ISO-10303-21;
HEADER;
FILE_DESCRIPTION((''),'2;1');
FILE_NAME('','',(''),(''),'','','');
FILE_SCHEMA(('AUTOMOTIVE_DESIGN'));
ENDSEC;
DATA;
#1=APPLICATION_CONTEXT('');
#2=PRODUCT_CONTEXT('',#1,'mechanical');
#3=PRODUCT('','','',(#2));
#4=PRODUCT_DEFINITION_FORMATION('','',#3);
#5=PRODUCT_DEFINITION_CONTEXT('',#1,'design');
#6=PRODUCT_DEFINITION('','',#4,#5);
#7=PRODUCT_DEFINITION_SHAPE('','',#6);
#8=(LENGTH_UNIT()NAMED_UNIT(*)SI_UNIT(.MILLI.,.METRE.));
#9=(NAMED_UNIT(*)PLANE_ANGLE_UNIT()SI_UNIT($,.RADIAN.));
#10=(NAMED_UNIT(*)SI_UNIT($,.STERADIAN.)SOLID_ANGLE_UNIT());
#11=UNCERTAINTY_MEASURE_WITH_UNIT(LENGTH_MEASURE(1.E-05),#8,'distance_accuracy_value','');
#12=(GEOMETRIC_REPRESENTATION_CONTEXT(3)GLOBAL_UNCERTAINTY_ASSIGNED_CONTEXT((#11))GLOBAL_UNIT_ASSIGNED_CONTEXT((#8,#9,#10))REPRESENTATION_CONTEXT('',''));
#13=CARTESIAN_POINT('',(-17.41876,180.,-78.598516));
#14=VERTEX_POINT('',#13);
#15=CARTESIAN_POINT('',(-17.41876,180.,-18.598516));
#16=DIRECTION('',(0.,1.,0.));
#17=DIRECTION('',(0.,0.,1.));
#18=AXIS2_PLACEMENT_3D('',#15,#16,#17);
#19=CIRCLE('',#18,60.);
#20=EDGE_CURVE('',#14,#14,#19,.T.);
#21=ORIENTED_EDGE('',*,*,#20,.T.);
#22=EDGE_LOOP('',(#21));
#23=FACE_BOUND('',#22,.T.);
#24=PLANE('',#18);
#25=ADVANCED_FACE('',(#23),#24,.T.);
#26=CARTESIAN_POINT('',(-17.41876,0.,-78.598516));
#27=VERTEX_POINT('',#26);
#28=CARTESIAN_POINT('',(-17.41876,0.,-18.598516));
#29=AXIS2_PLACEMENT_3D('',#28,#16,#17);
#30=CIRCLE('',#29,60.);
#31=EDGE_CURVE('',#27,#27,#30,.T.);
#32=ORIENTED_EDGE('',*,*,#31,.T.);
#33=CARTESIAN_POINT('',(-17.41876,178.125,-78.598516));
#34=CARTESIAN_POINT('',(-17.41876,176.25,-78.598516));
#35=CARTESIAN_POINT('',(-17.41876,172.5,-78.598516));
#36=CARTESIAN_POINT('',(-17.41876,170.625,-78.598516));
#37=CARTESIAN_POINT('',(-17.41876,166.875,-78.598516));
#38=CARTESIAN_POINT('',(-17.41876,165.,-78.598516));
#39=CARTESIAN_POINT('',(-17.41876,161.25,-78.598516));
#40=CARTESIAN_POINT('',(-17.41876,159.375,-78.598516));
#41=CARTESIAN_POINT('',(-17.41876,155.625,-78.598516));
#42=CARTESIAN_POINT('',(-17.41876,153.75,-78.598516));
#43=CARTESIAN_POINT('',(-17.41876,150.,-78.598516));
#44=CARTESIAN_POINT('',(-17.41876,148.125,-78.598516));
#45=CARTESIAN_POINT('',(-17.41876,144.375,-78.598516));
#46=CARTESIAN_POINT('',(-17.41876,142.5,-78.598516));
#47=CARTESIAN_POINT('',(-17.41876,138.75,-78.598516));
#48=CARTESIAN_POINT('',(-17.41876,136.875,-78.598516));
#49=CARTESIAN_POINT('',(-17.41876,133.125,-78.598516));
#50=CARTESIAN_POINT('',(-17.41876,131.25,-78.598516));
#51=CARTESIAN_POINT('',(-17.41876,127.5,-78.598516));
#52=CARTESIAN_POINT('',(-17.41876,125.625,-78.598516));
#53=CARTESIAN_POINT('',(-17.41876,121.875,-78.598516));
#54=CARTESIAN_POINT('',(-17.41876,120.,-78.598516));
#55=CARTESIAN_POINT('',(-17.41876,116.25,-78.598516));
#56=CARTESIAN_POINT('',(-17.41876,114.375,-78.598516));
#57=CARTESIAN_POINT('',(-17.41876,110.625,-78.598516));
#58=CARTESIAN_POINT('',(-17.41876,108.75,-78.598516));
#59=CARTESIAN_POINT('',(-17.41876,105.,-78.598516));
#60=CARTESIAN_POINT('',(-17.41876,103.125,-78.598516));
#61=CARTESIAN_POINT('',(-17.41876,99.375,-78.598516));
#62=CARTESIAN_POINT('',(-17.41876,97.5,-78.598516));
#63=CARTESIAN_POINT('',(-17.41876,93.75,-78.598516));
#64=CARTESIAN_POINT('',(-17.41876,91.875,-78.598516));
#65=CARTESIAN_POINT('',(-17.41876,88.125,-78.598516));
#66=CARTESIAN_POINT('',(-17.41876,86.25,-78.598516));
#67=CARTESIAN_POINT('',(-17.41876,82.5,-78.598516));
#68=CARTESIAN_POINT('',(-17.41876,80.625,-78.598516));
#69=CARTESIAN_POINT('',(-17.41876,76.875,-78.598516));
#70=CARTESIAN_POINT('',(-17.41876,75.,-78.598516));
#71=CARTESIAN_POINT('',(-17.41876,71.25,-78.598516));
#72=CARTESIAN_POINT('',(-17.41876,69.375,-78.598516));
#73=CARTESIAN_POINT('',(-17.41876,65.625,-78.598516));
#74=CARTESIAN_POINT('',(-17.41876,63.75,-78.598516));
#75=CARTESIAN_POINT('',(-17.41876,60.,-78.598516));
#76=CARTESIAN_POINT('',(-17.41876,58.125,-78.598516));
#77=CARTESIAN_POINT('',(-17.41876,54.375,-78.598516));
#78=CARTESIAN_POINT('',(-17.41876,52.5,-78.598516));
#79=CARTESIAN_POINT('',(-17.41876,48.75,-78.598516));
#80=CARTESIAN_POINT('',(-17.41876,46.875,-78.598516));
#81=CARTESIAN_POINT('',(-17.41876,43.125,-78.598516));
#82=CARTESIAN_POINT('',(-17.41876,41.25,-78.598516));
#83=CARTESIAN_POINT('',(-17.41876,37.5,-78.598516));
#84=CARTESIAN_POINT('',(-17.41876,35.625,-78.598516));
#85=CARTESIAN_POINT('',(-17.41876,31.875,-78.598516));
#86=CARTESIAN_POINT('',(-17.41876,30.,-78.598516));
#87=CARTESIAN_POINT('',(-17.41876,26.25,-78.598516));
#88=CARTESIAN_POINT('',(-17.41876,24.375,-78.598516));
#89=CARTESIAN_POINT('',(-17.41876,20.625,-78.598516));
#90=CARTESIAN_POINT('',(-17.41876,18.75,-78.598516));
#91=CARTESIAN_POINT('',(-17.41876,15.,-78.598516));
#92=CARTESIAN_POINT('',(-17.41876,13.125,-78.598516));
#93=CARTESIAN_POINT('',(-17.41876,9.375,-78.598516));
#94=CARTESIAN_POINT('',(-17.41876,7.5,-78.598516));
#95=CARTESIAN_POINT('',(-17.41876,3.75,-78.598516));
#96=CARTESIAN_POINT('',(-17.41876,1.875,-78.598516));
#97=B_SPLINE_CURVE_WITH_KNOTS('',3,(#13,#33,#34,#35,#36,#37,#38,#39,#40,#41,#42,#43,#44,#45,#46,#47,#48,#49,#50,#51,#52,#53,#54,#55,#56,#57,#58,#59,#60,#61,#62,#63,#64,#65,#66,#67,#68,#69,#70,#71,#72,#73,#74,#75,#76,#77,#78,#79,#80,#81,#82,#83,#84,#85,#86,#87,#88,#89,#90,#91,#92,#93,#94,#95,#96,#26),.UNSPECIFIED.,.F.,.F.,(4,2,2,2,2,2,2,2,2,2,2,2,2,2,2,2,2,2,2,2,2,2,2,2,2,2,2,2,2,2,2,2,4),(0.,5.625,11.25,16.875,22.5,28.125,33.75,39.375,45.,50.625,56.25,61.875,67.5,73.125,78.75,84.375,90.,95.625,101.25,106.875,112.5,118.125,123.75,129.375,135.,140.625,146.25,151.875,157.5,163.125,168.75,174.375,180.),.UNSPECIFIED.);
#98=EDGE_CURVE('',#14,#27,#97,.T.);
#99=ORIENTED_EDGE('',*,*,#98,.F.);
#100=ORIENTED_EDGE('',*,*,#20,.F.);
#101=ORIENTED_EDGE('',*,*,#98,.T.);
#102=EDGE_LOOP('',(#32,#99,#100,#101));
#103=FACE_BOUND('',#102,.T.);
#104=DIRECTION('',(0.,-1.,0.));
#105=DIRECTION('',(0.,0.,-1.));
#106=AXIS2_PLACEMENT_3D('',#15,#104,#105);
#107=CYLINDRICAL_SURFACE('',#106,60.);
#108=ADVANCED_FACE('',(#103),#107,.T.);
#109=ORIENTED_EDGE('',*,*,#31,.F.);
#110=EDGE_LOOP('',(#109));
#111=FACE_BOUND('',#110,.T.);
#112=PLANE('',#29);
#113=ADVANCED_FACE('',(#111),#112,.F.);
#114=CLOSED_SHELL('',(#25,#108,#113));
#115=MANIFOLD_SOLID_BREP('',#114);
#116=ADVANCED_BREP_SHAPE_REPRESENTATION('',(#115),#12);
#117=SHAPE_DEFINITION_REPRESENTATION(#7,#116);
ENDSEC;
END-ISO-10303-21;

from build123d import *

# Parameters (mm, degrees)
SKETCH1_R           = 60
BOSS_EXTRUDE1_DEPTH = 180


with BuildPart() as part:
    # Sketch1 → Boss-Extrude1 (new body)
    with BuildSketch(Plane(origin=(0, 0, 0), x_dir=(1, 0, 0), z_dir=(0, 1, 0))):
        with Locations((-17.418759742, 18.598516378)):
            Circle(SKETCH1_R)
    extrude(amount=BOSS_EXTRUDE1_DEPTH)


solid = part.part
